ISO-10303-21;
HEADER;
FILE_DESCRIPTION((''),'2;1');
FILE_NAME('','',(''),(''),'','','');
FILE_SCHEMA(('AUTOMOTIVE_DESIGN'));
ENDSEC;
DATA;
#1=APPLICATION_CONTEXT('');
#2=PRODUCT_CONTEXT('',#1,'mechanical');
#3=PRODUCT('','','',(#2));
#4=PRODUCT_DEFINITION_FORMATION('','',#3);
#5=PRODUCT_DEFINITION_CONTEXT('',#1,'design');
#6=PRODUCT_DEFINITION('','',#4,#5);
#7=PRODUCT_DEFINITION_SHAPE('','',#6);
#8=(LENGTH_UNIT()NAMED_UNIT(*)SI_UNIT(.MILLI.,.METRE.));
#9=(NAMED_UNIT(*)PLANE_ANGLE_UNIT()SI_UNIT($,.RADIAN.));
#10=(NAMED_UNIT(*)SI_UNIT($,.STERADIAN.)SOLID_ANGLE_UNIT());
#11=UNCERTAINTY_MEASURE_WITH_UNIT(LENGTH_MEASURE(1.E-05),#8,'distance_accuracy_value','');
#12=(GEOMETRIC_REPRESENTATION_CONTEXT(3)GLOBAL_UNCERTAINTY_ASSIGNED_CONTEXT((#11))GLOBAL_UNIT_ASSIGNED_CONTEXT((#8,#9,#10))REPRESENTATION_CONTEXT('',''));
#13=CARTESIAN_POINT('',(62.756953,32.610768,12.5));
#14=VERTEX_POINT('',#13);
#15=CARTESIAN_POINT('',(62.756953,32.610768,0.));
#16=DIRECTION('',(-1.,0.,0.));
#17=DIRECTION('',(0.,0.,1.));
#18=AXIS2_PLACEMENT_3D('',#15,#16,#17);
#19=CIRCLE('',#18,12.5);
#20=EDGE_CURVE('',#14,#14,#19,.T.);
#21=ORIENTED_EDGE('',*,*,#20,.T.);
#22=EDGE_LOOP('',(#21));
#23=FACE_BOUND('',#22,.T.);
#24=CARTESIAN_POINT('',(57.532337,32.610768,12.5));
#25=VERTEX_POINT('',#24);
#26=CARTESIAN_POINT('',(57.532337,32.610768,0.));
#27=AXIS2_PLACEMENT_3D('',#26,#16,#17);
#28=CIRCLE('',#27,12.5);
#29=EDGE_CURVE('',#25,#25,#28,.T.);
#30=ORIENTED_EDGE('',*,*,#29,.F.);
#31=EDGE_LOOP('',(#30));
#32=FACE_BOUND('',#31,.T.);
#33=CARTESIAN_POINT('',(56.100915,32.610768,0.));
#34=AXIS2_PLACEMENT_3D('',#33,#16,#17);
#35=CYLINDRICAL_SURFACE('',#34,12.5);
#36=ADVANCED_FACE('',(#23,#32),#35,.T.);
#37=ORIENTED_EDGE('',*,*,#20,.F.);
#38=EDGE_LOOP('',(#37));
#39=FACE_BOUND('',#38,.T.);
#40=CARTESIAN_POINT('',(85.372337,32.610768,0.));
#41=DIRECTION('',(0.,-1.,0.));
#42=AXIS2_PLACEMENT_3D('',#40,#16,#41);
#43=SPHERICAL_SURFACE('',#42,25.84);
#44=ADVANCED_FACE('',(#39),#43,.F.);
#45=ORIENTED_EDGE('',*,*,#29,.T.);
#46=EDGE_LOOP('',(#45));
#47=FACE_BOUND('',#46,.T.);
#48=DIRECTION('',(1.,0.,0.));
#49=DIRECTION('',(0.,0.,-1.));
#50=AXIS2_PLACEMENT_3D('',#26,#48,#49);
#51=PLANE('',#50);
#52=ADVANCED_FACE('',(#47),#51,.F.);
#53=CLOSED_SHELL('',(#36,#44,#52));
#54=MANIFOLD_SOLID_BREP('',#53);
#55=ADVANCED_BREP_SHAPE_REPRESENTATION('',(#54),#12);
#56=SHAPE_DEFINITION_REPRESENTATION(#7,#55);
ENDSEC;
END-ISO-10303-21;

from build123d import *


with BuildPart() as part:
    # 草图1 → 旋转1 (revolve)
    with BuildSketch(Plane.XY, mode=Mode.PRIVATE) as revolve_1_sk:
        with BuildLine():
            Line((57.532337053, 32.610768129), (57.532337053, 45.110768129))
            Line((57.532337053, 45.110768129), (62.756952908, 45.110768129))
            ThreePointArc((62.756952908, 45.110768129), (60.351474495, 39.065381739), (59.532337053, 32.610768129))
            Line((59.532337053, 32.610768129), (57.532337053, 32.610768129))
        make_face()
    revolve(revolve_1_sk.sketch.rotate(Axis((56.10091508, 32.610768129, 0), (1, 0, 0)), 180), axis=Axis((56.10091508, 32.610768129, 0), (1, 0, 0)))  # turned: the seam where the file's is


solid = part.part
